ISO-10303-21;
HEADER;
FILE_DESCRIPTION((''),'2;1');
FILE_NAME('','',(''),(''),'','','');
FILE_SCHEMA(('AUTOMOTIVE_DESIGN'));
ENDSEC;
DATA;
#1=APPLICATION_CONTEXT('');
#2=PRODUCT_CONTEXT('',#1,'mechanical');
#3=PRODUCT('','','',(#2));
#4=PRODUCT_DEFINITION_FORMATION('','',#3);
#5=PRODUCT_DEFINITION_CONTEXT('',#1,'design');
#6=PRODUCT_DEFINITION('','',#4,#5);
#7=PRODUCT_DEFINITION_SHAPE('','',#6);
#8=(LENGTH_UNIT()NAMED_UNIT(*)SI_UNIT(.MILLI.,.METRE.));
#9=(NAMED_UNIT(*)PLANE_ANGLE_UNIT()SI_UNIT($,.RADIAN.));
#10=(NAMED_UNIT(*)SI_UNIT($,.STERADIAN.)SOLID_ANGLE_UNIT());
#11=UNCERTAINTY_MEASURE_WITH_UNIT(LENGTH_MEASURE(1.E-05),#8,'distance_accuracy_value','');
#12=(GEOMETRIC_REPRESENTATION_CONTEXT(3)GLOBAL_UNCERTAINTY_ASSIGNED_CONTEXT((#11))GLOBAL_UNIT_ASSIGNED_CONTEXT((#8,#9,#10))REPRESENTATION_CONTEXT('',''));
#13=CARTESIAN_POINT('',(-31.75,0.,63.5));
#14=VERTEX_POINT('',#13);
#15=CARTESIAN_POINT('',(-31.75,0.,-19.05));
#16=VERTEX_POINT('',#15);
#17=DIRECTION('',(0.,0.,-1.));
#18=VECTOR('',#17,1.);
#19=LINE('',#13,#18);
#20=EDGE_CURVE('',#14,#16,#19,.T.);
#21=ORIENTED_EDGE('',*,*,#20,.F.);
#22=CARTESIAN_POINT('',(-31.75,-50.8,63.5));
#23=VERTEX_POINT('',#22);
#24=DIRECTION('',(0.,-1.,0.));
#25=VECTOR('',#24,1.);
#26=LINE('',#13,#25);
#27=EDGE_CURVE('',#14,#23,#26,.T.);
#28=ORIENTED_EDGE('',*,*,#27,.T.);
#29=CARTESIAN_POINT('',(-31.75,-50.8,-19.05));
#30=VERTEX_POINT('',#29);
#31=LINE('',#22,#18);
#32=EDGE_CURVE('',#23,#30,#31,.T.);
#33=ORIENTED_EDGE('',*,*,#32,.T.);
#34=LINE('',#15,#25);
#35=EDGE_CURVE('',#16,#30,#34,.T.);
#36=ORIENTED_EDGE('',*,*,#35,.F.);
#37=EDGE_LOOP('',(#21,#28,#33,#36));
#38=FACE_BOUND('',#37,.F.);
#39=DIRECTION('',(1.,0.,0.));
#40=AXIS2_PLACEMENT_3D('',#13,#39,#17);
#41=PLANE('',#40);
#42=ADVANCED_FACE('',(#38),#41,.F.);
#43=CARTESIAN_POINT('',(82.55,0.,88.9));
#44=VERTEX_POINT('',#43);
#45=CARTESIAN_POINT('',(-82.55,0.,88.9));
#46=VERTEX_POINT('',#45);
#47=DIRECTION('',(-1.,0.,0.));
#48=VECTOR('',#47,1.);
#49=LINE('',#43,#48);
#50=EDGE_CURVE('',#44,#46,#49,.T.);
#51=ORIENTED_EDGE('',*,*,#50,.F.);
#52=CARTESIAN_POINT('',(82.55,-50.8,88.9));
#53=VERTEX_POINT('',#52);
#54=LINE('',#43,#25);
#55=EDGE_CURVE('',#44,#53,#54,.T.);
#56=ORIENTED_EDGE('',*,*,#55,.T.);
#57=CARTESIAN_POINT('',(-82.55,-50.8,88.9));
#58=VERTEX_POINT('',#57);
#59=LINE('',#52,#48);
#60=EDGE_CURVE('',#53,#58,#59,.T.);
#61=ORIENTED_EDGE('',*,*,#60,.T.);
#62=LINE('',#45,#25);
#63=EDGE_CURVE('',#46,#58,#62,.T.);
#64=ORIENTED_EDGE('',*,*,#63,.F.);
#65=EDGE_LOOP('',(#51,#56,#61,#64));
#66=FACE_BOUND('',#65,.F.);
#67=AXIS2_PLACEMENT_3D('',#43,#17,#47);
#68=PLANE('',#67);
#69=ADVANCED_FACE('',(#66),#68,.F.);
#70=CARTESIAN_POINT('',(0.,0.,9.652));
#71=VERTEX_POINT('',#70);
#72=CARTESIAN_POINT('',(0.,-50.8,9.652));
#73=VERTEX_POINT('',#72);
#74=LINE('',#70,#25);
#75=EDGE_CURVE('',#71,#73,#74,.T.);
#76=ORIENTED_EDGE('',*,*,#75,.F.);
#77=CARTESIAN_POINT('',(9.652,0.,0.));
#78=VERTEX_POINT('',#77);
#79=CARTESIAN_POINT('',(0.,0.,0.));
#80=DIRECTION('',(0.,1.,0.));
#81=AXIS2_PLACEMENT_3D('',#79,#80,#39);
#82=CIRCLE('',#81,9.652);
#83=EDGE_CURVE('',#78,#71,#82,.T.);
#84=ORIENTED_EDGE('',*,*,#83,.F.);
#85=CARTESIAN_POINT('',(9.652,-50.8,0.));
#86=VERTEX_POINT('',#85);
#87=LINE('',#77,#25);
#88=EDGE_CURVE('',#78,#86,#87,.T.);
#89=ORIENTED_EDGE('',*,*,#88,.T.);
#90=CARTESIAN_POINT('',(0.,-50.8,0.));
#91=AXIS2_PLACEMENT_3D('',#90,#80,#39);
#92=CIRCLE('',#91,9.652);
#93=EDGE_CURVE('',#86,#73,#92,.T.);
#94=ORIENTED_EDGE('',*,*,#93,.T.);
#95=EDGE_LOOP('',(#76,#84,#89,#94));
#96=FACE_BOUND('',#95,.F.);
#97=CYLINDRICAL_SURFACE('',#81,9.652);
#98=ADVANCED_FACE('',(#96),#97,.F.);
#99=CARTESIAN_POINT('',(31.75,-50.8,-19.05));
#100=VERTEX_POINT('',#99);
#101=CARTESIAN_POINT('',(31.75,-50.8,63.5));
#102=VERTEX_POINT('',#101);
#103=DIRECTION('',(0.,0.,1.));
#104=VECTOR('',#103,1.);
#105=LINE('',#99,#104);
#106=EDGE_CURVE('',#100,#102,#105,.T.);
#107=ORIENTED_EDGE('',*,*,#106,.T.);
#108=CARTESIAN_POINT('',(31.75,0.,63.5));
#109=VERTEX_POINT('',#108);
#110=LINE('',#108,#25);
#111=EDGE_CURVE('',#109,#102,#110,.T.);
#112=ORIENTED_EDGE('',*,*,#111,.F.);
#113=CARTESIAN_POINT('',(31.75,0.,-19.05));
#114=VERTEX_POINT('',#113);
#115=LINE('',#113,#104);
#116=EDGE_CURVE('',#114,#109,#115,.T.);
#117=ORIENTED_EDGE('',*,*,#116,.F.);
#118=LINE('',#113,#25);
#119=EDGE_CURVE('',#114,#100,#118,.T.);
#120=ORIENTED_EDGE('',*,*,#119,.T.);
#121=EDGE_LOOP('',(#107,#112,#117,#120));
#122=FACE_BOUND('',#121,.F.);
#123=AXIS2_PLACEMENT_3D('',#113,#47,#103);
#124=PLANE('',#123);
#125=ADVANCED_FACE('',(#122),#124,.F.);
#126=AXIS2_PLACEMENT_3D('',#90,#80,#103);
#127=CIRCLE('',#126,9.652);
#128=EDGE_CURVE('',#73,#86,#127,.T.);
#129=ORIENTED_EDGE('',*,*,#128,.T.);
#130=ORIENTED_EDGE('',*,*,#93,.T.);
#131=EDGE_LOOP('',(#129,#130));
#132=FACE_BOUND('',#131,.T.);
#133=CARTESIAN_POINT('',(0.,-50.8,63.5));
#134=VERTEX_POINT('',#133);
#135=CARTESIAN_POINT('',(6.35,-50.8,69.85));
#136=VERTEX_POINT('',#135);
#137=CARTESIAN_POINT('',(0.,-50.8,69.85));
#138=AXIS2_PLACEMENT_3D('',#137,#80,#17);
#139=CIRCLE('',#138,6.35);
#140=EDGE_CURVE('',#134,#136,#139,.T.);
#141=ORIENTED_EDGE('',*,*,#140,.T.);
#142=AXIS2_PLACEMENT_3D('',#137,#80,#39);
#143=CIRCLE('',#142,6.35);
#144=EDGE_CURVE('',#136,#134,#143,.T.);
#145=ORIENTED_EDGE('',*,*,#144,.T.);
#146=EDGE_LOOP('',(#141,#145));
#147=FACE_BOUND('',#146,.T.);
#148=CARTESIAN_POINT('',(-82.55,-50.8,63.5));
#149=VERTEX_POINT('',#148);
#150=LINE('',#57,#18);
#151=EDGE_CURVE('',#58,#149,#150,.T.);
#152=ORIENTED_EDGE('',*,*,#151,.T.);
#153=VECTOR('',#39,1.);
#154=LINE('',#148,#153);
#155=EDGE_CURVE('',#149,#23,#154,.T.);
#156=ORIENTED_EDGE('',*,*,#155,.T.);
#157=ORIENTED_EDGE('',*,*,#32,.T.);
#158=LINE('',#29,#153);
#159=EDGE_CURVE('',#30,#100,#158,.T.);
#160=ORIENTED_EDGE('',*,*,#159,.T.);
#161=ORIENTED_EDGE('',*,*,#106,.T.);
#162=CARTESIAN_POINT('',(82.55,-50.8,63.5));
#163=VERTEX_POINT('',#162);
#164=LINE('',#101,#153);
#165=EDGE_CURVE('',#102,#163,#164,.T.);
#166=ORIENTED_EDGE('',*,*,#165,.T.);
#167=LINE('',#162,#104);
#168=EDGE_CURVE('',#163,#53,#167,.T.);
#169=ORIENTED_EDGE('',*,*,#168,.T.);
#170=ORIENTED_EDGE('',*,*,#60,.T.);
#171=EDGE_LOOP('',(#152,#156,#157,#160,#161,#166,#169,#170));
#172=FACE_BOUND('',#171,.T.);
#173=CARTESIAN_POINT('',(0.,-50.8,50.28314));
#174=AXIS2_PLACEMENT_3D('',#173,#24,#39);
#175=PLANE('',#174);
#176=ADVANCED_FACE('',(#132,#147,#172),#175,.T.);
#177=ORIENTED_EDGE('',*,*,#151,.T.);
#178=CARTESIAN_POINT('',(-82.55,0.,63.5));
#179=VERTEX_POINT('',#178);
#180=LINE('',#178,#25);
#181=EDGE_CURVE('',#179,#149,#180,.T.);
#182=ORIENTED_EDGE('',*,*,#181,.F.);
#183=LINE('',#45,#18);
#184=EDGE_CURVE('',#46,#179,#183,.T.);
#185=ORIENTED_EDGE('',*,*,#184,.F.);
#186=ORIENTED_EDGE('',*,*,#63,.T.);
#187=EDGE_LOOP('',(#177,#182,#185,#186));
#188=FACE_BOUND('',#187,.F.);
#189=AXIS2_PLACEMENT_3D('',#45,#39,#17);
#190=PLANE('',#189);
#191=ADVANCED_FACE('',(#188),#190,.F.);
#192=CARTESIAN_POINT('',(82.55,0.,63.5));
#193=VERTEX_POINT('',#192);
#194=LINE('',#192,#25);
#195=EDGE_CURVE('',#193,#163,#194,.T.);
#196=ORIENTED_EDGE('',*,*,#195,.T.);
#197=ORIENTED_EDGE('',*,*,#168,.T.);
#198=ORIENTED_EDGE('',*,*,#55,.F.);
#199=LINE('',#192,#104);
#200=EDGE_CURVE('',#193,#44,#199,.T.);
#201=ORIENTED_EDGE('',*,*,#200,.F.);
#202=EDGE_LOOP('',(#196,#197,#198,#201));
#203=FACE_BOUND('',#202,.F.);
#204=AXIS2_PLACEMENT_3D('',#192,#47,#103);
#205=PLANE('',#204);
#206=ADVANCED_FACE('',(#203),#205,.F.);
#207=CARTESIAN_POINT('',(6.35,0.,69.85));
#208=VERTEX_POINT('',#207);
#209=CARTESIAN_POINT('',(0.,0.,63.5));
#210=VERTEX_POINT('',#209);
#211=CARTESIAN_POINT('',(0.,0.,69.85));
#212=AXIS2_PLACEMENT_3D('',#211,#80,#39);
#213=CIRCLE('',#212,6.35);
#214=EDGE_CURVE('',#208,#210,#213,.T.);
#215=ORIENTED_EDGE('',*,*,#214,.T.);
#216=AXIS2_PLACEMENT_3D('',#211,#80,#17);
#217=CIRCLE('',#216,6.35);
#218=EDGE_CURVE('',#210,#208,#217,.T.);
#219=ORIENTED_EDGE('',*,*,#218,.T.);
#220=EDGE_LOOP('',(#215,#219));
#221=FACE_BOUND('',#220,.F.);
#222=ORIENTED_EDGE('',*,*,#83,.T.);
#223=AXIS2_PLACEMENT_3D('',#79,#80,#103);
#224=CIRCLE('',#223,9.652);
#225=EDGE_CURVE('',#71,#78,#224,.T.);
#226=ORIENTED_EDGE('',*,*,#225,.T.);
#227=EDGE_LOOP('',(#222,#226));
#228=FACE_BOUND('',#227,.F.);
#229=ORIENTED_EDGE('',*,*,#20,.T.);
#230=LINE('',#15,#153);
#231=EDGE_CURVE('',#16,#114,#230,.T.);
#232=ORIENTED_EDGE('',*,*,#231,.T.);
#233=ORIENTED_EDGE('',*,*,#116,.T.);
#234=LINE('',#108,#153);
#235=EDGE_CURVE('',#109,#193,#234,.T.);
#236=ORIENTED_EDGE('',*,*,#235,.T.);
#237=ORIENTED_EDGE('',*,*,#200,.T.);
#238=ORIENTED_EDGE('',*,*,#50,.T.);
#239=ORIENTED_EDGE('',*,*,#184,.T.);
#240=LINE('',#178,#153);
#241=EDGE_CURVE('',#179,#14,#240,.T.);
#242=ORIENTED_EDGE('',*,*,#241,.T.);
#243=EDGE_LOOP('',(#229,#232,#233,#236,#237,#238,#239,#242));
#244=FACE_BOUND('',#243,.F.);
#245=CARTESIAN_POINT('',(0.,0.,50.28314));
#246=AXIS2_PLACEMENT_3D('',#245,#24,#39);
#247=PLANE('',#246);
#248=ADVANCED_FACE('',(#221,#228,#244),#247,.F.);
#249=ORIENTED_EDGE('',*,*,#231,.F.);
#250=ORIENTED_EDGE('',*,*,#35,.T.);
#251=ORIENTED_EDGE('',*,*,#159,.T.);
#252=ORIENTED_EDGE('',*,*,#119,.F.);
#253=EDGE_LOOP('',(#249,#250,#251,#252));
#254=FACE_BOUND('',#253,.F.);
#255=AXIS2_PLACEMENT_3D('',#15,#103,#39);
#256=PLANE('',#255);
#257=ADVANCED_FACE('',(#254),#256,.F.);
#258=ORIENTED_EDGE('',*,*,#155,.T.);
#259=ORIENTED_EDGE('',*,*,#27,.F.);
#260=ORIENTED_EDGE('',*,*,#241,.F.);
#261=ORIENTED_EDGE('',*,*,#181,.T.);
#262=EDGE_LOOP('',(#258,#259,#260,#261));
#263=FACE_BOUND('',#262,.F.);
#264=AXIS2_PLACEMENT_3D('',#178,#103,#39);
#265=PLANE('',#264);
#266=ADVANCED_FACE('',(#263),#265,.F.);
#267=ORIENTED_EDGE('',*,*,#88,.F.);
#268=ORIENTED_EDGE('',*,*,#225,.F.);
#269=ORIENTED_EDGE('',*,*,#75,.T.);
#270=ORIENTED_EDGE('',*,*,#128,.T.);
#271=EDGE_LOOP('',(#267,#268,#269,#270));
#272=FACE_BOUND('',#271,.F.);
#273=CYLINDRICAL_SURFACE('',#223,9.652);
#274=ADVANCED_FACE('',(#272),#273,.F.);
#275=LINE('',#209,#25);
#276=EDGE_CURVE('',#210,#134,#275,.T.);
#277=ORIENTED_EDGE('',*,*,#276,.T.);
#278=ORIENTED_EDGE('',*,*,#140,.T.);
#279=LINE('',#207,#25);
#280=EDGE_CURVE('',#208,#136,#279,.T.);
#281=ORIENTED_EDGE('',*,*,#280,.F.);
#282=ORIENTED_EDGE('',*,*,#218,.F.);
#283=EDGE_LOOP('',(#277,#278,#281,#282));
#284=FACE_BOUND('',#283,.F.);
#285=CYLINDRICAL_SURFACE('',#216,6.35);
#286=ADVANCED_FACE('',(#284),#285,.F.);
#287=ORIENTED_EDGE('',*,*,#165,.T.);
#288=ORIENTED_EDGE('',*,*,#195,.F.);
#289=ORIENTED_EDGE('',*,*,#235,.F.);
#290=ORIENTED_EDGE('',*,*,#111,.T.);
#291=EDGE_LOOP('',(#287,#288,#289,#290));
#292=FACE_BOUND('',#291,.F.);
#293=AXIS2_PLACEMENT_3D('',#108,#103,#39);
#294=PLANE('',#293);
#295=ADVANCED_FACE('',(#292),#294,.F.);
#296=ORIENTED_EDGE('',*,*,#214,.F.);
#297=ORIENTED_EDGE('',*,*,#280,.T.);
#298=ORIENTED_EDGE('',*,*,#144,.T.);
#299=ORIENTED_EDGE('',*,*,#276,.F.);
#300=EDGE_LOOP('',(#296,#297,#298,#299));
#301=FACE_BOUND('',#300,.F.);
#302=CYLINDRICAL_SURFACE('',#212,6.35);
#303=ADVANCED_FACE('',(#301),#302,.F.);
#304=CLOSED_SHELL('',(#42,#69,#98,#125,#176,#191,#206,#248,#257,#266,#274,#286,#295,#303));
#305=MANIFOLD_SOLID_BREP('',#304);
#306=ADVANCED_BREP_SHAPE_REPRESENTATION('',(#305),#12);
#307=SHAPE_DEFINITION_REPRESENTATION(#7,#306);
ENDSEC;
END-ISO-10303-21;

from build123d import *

# Parameters (mm, degrees)
F1_DEPTH = 50.8


with BuildPart() as f1:
    # F0 (on Front) → F1 (new body)
    with BuildSketch(Plane.XZ):
        Polygon((-31.75, -19.05), (0, -19.05), (31.75, -19.05), (31.75, 63.5), (82.55, 63.5), (82.55, 88.9), (-82.55, 88.9), (-82.55, 63.5), (-31.75, 63.5), align=None)
        with BuildLine():
            ThreePointArc((0, 9.652), (6.824994652, 6.824994652), (9.652, 0))
            ThreePointArc((9.652, 0), (-6.824994652, -6.824994652), (0, 9.652))
        make_face(mode=Mode.SUBTRACT)
        with BuildLine():
            ThreePointArc((6.35, 69.85), (4.4901280605, 65.3598719395), (0, 63.5))
            ThreePointArc((0, 63.5), (-4.4901280605, 74.3401280605), (6.35, 69.85))
        make_face(mode=Mode.SUBTRACT)
    extrude(amount=F1_DEPTH)


solid = f1.part
